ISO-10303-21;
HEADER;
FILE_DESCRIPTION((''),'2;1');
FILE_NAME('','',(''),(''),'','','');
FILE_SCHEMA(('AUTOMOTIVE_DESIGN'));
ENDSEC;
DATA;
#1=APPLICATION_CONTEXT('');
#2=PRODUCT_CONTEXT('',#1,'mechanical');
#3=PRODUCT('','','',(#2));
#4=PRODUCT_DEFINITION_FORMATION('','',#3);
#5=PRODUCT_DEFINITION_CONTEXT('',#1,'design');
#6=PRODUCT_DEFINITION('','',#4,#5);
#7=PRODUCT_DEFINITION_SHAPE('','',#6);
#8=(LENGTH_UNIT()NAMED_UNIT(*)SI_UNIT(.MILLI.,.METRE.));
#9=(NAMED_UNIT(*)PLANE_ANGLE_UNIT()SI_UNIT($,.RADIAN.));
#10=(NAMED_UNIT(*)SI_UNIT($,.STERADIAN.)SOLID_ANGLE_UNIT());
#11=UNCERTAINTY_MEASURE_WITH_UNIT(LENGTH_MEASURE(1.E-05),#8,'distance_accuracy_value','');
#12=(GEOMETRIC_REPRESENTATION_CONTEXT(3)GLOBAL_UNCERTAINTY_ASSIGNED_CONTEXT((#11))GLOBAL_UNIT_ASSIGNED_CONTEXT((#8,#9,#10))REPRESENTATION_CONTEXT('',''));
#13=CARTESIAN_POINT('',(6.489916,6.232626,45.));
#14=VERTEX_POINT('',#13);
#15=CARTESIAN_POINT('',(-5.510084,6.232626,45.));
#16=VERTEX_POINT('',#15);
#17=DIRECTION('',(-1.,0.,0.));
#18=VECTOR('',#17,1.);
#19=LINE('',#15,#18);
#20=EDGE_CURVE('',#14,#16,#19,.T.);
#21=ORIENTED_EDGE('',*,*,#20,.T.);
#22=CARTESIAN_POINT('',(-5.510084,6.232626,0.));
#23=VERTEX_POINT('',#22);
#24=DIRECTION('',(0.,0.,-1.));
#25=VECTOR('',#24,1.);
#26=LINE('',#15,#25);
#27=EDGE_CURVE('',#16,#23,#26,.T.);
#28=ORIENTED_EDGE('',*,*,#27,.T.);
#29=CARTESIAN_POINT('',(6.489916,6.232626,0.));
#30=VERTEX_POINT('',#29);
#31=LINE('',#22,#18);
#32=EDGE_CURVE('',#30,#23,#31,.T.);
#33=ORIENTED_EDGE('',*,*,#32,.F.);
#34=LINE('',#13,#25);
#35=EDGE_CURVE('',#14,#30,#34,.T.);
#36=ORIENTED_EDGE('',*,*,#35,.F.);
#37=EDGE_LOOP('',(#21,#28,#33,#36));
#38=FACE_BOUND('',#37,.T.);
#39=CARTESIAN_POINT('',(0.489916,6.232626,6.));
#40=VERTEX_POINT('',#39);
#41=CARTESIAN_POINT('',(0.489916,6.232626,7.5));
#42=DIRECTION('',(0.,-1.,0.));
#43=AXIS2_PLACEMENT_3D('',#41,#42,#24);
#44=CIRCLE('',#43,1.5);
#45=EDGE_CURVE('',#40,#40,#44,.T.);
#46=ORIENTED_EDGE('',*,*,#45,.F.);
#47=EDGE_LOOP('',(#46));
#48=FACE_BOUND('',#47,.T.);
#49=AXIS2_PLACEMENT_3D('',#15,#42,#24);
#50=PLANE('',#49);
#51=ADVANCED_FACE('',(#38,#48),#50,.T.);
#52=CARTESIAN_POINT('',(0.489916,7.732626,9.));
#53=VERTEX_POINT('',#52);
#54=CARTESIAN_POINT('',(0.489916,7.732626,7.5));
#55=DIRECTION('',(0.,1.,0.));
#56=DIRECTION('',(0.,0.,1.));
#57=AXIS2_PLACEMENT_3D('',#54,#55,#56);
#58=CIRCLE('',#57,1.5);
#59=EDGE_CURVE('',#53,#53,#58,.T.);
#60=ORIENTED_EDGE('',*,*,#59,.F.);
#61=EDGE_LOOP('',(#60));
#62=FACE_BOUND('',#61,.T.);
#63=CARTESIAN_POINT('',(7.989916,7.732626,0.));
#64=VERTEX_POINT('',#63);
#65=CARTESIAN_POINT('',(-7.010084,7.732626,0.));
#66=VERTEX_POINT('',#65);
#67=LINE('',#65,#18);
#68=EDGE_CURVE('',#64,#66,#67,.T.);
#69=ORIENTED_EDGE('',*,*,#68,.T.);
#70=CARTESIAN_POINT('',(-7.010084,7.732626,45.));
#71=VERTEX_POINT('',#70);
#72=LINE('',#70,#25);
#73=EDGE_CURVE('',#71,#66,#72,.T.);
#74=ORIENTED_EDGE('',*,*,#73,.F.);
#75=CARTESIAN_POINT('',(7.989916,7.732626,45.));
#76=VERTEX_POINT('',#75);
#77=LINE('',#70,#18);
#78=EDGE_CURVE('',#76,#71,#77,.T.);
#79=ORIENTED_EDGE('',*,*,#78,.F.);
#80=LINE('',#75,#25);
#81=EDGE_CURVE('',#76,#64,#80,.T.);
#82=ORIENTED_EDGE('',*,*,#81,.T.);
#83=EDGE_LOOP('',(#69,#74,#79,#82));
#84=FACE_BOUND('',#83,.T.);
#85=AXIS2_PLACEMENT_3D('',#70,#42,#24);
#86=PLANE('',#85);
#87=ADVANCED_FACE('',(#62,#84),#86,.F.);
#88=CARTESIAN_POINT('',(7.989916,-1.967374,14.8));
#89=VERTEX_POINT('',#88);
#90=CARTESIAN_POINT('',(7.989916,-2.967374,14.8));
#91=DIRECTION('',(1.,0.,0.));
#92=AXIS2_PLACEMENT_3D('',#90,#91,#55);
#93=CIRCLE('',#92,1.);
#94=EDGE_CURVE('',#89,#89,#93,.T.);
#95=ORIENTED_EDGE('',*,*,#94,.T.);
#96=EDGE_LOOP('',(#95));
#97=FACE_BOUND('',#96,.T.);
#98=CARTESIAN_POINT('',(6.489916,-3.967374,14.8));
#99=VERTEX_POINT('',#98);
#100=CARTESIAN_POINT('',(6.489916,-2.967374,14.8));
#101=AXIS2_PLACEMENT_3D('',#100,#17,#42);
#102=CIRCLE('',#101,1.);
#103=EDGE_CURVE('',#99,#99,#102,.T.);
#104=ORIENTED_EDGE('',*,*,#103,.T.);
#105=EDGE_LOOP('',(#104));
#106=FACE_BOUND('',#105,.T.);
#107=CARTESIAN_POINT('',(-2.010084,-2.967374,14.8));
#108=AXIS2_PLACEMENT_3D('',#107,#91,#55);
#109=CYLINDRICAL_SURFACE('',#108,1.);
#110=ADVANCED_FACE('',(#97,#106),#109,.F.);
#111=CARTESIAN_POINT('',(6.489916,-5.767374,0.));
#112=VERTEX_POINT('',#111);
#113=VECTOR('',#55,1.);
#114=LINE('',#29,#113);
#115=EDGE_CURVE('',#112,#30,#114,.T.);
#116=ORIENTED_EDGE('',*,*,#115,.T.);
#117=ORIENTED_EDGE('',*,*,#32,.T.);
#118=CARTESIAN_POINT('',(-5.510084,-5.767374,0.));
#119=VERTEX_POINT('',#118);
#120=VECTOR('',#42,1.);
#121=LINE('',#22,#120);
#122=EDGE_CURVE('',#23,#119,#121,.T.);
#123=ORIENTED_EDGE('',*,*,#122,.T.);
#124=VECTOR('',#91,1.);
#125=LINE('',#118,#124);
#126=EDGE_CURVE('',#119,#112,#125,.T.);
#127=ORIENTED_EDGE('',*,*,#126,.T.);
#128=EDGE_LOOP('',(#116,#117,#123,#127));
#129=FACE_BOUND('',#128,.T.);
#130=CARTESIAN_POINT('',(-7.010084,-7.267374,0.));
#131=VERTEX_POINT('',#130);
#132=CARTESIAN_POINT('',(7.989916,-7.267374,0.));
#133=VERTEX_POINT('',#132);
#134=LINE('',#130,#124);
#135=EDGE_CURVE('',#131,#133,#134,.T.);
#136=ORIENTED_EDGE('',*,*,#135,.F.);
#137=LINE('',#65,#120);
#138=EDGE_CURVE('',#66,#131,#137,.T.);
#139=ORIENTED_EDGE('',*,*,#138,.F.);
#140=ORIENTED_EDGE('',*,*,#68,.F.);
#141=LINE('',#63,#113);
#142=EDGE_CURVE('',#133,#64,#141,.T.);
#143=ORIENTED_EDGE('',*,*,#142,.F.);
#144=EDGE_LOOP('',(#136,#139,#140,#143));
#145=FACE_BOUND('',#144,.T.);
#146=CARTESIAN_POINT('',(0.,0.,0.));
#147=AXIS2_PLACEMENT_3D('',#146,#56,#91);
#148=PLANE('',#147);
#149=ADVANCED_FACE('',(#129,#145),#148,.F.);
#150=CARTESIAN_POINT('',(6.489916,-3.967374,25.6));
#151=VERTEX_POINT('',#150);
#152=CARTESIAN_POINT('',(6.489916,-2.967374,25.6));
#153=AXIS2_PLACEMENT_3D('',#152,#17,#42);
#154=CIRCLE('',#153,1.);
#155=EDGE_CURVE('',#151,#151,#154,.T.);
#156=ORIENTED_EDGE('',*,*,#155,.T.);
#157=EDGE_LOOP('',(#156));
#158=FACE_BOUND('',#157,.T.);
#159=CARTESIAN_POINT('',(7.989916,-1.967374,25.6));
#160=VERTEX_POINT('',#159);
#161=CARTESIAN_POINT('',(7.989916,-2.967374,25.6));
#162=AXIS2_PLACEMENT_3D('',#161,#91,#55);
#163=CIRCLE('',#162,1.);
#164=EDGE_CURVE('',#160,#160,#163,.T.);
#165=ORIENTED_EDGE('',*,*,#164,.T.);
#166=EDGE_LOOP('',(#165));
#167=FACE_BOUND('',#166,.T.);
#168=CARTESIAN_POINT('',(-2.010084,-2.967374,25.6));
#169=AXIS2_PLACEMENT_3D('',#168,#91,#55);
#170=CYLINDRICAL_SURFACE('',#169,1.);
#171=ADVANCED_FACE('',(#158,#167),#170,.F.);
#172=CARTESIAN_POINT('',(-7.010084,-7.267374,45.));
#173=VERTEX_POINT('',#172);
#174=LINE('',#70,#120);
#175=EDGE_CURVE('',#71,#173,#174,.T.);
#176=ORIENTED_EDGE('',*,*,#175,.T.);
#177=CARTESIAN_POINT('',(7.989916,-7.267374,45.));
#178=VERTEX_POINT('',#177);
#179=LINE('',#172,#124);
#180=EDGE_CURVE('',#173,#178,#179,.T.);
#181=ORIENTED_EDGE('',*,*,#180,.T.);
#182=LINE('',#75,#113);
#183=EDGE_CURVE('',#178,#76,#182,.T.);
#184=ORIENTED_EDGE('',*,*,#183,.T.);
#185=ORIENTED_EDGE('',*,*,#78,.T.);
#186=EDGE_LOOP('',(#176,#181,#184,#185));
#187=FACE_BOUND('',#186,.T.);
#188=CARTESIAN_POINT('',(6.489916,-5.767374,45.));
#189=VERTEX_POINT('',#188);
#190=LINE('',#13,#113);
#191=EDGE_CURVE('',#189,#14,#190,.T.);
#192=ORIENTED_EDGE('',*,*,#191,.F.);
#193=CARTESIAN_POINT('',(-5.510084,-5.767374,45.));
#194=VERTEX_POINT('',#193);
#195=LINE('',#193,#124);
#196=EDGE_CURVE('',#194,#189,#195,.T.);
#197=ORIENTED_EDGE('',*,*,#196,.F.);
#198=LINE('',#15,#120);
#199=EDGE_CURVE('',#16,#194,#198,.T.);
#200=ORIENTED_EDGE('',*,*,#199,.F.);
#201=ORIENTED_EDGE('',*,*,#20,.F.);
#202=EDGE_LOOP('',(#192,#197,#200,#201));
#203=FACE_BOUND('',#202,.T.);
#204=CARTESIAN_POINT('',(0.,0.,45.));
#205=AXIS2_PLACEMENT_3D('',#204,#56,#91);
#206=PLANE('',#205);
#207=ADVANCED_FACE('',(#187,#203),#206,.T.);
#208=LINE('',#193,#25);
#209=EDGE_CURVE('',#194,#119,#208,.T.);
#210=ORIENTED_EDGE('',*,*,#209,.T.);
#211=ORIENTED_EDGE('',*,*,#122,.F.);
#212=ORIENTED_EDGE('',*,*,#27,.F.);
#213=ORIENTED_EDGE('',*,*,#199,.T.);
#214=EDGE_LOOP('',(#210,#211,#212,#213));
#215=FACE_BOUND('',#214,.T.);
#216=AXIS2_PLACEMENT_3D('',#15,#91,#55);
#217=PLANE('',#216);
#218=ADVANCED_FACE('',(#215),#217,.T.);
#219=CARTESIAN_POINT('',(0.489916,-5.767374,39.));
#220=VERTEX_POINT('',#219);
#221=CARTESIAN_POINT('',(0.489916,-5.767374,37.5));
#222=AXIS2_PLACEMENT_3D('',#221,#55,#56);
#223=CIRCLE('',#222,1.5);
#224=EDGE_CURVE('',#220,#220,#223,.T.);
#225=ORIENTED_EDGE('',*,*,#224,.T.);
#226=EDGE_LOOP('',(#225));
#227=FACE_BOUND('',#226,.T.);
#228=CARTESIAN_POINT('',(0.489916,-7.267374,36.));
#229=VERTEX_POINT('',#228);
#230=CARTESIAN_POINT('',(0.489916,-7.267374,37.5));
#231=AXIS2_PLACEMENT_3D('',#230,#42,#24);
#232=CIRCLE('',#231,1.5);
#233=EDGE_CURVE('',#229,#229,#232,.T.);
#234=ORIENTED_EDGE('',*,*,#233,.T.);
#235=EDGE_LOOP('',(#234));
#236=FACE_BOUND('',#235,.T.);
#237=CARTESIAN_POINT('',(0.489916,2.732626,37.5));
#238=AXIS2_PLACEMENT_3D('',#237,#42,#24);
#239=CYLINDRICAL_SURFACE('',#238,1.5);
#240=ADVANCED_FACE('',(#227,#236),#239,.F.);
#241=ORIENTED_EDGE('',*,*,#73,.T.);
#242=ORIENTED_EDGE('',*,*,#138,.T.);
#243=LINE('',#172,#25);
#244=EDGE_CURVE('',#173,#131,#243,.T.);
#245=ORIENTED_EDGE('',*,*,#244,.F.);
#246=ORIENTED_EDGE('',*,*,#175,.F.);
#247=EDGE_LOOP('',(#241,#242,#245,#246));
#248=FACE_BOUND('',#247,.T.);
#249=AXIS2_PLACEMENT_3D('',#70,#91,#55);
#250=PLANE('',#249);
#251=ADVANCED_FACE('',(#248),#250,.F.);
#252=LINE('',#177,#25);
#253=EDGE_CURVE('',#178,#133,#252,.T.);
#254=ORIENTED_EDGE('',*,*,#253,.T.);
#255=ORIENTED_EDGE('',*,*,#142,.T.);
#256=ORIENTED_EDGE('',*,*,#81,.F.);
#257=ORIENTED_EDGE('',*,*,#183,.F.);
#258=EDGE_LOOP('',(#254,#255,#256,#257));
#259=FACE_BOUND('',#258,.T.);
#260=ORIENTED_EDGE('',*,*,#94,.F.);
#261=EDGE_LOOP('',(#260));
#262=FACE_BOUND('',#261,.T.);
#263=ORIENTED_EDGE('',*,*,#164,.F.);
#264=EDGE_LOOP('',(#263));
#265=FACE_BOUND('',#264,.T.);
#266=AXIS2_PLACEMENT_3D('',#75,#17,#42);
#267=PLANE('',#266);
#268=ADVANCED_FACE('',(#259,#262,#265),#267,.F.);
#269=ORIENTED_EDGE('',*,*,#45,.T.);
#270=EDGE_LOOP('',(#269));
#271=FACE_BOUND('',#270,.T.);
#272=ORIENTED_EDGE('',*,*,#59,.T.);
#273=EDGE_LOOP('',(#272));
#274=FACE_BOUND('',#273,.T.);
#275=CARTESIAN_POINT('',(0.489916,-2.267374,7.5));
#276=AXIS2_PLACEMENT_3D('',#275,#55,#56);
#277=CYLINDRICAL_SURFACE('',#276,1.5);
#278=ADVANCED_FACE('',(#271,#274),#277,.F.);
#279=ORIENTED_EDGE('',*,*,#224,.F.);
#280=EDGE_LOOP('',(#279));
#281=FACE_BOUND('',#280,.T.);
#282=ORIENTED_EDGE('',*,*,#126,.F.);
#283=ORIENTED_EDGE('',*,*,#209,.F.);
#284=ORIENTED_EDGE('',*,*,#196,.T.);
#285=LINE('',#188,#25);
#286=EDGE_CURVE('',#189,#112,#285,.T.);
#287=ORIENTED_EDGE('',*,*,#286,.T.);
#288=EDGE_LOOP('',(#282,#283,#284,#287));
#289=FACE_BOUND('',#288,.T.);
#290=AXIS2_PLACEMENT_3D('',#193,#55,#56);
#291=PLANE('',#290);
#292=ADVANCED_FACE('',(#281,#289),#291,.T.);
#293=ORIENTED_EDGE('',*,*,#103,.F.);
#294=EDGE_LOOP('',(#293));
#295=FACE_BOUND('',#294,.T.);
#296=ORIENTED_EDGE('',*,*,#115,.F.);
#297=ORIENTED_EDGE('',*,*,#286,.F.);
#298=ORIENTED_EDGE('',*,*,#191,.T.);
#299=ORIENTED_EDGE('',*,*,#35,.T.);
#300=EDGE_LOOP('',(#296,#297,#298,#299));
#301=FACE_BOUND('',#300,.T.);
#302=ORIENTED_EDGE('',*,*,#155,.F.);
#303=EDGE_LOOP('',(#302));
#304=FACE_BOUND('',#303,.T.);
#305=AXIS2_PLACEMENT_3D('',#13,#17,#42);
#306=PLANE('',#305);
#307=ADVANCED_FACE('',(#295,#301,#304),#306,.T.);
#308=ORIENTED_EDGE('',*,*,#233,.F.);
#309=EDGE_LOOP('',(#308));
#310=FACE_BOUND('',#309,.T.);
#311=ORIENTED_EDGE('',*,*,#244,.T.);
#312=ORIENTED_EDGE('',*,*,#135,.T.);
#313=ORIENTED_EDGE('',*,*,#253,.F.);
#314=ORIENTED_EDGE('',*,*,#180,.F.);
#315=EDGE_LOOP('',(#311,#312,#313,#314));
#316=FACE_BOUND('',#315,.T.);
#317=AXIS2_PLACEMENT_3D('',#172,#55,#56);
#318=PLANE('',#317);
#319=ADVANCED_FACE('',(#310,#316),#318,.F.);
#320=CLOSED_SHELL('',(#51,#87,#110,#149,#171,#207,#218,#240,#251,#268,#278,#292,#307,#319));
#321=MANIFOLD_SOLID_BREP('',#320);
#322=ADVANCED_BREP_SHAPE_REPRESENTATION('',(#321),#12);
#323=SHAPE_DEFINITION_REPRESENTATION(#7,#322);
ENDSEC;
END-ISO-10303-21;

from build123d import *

# Parameters (mm, degrees)
SKETCH_1_W          = 15
SKETCH_1_H          = 15
SKETCH_1_W_2        = 12
SKETCH_1_H_2        = 12
EXTRUDE_2_DEPTH     = 45
SKETCH_2_R          = 1.5
CUT_EXTRUDE_1_DEPTH = 10
SKETCH_3_R          = 1.5
CUT_EXTRUDE_2_DEPTH = 10
SKETCH_4_R          = 1
CUT_EXTRUDE_3_DEPTH = 10
SKETCH_5_R          = 1
CUT_EXTRUDE_4_DEPTH = 10


with BuildPart() as part:
    # ｽｹｯﾁ1 → ﾎﾞｽ - 押し出し2 (new body)
    with BuildSketch(Plane.XY):
        with Locations((0.489915859, 0.232626086)):
            Rectangle(SKETCH_1_W, SKETCH_1_H)
        with Locations((0.489915859, 0.232626086)):
            Rectangle(SKETCH_1_W_2, SKETCH_1_H_2, mode=Mode.SUBTRACT)
    extrude(amount=EXTRUDE_2_DEPTH)

    # ｽｹｯﾁ2 → ｶｯﾄ - 押し出し1 (cut)
    with BuildSketch(Plane(origin=(0, 7.732626086, 0), x_dir=(1, 0, 0), z_dir=(0, 1, 0))):
        with Locations((0.489915859, -7.5)):
            Circle(SKETCH_2_R)
    extrude(amount=-CUT_EXTRUDE_1_DEPTH, mode=Mode.SUBTRACT)

    # ｽｹｯﾁ3 → ｶｯﾄ - 押し出し2 (cut)
    with BuildSketch(Plane.XZ.offset(7.267373914)):
        with Locations((0.489915859, 37.5)):
            Circle(SKETCH_3_R)
    extrude(amount=-CUT_EXTRUDE_2_DEPTH, mode=Mode.SUBTRACT)

    # ｽｹｯﾁ4 → ｶｯﾄ - 押し出し3 (cut)
    with BuildSketch(Plane(origin=(7.989915859, 0, 0), x_dir=(0, 0, -1), z_dir=(1, 0, 0))):
        with Locations((-25.6, -2.967373914)):
            Circle(SKETCH_4_R)
    extrude(amount=-CUT_EXTRUDE_3_DEPTH, mode=Mode.SUBTRACT)

    # ｽｹｯﾁ5 → ｶｯﾄ - 押し出し4 (cut)
    with BuildSketch(Plane(origin=(7.989915859, 0, 0), x_dir=(0, 0, -1), z_dir=(1, 0, 0))):
        with Locations((-14.8, -2.967373914)):
            Circle(SKETCH_5_R)
    extrude(amount=-CUT_EXTRUDE_4_DEPTH, mode=Mode.SUBTRACT)


solid = part.part
